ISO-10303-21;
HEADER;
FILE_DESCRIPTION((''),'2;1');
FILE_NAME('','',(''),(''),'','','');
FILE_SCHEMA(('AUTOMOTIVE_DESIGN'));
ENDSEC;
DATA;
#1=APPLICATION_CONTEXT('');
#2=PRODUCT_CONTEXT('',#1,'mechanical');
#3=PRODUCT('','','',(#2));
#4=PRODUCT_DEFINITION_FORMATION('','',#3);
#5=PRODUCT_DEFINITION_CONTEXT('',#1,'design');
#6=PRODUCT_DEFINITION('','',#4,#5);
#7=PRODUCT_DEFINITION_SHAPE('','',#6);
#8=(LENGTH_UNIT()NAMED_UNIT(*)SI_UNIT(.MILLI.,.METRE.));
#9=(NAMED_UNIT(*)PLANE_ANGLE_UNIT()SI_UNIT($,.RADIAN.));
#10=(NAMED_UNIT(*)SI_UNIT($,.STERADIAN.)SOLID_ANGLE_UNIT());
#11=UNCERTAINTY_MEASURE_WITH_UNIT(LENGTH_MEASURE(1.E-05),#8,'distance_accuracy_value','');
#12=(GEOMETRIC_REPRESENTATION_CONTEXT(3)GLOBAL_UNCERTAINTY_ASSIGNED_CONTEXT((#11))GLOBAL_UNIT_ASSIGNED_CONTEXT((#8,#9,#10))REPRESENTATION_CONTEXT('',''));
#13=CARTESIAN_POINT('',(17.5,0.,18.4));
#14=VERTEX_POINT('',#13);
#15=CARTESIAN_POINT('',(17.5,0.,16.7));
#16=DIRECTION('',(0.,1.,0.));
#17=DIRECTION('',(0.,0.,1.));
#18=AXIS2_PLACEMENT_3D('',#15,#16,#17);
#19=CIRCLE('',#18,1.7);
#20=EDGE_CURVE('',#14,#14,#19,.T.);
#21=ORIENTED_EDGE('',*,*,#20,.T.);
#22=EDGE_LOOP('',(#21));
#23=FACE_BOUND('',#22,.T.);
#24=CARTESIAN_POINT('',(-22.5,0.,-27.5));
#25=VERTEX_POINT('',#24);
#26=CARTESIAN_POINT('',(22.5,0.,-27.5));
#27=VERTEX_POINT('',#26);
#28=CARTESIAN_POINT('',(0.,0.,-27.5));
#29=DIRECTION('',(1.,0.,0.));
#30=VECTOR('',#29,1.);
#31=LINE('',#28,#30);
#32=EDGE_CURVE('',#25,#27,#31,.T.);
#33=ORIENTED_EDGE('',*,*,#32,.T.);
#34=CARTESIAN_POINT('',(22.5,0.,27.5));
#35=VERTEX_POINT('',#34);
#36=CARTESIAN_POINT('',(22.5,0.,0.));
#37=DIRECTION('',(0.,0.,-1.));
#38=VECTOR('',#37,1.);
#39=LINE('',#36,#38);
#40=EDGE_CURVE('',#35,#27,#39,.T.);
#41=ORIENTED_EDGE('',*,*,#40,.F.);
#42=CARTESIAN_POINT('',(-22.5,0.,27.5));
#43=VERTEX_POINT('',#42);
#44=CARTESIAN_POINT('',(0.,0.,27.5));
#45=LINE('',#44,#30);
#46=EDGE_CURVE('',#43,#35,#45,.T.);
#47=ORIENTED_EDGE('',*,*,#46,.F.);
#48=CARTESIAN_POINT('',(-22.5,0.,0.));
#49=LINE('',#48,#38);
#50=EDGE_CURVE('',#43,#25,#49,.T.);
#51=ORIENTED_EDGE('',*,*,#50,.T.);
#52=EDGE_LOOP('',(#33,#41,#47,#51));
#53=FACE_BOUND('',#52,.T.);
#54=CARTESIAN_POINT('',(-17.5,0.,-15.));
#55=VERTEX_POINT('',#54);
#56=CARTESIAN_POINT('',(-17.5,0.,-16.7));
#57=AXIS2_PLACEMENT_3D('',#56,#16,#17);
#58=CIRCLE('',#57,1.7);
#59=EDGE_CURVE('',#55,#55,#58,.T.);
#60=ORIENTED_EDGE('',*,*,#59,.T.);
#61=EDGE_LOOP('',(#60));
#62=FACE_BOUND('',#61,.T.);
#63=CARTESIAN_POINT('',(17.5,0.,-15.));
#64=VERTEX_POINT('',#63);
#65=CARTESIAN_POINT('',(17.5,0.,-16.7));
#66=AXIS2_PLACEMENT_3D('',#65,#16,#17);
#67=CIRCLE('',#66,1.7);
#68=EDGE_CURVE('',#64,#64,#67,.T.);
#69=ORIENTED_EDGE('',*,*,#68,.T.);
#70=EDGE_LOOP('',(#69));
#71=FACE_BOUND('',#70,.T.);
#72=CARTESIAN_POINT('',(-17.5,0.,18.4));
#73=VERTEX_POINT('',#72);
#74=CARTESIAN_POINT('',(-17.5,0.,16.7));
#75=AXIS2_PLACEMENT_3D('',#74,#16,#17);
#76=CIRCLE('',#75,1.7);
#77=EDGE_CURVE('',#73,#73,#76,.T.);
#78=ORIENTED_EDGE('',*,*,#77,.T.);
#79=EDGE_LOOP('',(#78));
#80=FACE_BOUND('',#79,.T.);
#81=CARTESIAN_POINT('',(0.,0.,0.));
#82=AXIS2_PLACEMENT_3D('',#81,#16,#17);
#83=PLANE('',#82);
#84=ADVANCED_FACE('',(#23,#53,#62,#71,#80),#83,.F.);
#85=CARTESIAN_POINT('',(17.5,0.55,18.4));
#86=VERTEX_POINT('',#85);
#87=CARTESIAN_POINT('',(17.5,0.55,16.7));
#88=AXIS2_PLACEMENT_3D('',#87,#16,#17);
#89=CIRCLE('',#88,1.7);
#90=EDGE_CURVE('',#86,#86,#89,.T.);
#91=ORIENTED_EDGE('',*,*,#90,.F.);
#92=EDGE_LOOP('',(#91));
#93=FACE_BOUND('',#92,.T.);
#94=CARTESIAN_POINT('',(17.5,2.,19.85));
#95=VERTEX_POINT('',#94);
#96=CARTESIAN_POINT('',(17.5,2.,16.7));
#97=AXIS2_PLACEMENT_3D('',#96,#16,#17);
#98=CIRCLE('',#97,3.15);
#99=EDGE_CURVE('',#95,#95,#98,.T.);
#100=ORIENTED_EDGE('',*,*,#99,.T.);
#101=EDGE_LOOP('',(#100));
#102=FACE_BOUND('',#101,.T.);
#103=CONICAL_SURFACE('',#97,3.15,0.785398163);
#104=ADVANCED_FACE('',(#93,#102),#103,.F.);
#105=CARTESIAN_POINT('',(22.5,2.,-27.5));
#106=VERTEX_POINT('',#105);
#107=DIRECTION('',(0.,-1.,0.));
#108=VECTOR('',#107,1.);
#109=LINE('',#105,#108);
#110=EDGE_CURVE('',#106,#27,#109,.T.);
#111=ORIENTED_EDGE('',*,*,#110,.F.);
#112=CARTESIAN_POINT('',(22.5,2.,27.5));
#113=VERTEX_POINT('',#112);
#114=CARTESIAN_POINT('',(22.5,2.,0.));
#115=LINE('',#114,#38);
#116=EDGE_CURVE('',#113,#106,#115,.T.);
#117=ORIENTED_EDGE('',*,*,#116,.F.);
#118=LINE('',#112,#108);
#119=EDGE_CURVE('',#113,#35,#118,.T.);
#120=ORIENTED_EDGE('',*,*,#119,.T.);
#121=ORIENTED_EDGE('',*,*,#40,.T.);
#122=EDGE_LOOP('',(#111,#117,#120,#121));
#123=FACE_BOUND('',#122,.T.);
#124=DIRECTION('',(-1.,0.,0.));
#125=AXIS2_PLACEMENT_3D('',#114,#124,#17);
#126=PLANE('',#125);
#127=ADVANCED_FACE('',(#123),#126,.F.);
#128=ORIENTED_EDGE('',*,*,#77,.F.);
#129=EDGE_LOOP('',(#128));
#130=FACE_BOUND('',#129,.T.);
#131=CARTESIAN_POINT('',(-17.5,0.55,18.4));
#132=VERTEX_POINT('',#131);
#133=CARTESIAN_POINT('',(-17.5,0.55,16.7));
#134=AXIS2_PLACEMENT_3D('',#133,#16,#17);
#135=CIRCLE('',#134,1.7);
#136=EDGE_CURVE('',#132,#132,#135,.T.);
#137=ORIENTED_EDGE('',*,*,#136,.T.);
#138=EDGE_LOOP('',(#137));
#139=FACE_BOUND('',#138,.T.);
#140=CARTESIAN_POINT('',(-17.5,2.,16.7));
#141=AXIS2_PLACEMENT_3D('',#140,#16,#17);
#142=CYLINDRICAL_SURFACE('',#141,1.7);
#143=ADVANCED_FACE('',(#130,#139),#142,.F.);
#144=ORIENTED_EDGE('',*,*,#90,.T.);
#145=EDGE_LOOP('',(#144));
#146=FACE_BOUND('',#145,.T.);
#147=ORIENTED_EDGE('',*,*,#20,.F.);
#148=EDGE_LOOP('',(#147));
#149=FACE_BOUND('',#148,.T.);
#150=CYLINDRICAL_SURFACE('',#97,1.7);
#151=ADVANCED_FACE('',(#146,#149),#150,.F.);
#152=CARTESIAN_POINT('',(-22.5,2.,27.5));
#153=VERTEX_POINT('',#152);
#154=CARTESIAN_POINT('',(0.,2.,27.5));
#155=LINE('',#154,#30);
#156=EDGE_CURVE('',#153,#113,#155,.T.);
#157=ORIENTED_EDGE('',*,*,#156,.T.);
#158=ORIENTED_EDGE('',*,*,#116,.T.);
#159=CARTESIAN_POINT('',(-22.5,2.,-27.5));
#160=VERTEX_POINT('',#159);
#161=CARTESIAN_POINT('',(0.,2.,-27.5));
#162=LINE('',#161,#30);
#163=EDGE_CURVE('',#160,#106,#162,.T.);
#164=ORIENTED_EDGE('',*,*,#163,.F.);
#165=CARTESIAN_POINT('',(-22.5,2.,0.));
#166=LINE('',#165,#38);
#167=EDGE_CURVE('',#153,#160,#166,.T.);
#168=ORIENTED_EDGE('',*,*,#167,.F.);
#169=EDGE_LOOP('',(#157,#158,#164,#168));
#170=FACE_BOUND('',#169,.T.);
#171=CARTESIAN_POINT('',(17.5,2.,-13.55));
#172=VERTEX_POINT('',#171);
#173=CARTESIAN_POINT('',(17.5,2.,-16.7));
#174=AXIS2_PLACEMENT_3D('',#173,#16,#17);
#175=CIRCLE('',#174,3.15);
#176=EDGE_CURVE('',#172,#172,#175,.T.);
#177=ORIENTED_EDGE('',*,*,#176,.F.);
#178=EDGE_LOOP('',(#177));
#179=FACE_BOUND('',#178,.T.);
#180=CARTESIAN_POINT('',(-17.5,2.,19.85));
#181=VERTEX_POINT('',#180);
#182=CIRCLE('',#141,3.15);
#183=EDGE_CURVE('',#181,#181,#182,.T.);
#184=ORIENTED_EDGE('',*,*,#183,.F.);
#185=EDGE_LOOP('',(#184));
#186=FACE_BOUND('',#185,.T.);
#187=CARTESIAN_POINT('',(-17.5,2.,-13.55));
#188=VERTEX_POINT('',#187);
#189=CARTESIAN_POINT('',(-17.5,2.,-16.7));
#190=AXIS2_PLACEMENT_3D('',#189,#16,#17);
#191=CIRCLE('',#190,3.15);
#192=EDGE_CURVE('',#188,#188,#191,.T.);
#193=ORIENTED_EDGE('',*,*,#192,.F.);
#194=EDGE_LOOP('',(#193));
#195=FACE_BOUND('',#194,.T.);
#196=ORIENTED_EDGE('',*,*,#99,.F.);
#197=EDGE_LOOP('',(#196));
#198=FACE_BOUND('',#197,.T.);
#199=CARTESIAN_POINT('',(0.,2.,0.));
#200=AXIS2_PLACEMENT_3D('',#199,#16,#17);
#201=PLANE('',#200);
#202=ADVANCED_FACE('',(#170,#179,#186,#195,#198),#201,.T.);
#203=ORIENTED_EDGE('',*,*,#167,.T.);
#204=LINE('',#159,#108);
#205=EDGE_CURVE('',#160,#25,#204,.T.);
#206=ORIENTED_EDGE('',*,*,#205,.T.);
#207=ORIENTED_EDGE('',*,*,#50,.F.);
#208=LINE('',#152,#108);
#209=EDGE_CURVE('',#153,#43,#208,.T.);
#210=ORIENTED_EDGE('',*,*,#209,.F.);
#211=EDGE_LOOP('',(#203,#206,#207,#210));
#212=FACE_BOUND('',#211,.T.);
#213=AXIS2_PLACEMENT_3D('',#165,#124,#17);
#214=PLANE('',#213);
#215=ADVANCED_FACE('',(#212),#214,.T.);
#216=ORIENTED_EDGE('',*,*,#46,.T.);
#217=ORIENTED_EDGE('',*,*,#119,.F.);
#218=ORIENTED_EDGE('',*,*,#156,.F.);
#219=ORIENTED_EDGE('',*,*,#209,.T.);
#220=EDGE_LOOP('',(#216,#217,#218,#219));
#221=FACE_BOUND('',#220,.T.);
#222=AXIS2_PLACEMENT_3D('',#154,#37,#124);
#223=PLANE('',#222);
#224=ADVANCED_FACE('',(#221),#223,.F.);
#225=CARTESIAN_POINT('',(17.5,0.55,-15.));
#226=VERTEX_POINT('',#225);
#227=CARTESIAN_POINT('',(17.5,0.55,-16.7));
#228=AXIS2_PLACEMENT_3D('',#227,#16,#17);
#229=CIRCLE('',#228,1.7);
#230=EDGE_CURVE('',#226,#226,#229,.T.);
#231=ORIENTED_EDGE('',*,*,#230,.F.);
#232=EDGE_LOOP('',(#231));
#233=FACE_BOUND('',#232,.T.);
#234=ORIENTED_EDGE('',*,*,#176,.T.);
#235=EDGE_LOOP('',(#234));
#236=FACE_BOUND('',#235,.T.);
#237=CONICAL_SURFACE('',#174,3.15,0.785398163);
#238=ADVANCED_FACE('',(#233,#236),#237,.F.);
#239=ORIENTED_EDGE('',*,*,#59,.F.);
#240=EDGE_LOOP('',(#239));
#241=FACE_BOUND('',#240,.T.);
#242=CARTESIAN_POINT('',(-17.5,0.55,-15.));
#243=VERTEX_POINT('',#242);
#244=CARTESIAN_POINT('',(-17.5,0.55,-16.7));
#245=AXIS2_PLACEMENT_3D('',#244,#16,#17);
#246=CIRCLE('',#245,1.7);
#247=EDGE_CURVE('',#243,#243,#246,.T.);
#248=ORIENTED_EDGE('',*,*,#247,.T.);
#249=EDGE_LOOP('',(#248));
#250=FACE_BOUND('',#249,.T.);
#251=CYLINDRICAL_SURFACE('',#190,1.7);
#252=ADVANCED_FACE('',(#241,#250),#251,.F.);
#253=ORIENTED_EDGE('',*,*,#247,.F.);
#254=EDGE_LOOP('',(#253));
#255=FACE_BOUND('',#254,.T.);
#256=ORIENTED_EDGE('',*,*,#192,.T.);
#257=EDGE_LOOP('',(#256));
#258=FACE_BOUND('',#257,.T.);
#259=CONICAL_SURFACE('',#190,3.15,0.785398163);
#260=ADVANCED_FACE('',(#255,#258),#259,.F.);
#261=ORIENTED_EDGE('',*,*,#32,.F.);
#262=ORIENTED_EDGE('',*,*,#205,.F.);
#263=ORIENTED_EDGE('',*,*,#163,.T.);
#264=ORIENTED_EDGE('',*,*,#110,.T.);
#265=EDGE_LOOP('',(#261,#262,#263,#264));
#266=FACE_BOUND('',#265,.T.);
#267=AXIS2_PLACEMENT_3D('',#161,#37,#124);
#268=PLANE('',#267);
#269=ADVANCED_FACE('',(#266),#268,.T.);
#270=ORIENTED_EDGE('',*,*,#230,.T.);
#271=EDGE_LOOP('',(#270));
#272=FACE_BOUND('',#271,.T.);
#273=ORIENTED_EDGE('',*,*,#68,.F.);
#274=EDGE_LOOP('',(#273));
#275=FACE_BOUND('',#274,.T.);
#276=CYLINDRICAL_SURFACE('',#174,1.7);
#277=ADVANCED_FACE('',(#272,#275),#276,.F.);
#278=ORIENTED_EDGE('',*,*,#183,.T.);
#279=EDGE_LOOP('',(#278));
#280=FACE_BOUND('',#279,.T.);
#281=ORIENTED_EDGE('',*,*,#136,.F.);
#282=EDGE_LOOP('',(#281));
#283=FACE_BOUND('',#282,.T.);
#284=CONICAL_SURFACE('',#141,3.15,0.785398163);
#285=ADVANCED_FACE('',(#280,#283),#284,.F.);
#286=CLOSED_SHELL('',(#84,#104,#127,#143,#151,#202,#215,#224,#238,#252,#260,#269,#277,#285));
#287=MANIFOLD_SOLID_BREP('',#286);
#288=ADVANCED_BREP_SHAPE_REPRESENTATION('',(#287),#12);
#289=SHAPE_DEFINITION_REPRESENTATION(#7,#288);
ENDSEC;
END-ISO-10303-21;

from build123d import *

# Parameters (mm, degrees)
SKETCH1_W                                      = 45
SKETCH1_H                                      = 55
SKETCH1_W_2                                    = 5
SKETCH1_H_2                                    = 2
BOSS_EXTRUDE1_DEPTH                            = 2
CSK_FOR_M3_FLAT_HEAD_MACHINE_SCREW1_AT_2_COUNT = 2
CSK_FOR_M3_FLAT_HEAD_MACHINE_SCREW1_AT_2_PITCH = 35
CSK_FOR_M3_FLAT_HEAD_MACHINE_SCREW1_AT_3_COUNT = 2
CSK_FOR_M3_FLAT_HEAD_MACHINE_SCREW1_AT_3_PITCH = 48.379334431
CSK_FOR_M3_FLAT_HEAD_MACHINE_SCREW1_AT_4_COUNT = 2
CSK_FOR_M3_FLAT_HEAD_MACHINE_SCREW1_AT_4_PITCH = 33.4


with BuildPart() as part:
    # Sketch1 → Boss-Extrude1 (new body)
    # profile 1 of 3: a face of its own
    with BuildSketch(Plane(origin=(0, 0, 0), x_dir=(1, 0, 0), z_dir=(0, 1, 0))):
        Rectangle(SKETCH1_W, SKETCH1_H)
        with Locations((0, 26.25)):
            Rectangle(SKETCH1_W_2, SKETCH1_H_2, mode=Mode.SUBTRACT)
        with Locations((0, -26.25)):
            Rectangle(SKETCH1_W_2, SKETCH1_H_2, mode=Mode.SUBTRACT)
    # profile 2 of 3: a face of its own
    with BuildSketch(Plane(origin=(0, 0, 0), x_dir=(1, 0, 0), z_dir=(0, 1, 0))):
        with Locations((0, 26.25)):
            Rectangle(SKETCH1_W_2, SKETCH1_H_2)
    # profile 3 of 3: a face of its own
    with BuildSketch(Plane(origin=(0, 0, 0), x_dir=(1, 0, 0), z_dir=(0, 1, 0))):
        with Locations((0, -26.25)):
            Rectangle(SKETCH1_W_2, SKETCH1_H_2)
    extrude(amount=BOSS_EXTRUDE1_DEPTH)

    # Sketch5 → CSK for M3 Flat Head Machine Screw1 (revolve, cut)
    with BuildSketch(Plane(origin=(-17.5, 2, -16.7), x_dir=(0, 0, 1), z_dir=(1, 0, 0))):
        Polygon((0, 0), (0, 2), (1.7, 2), (1.7, 1.45), (3.15, 0), align=None)
    csk_for_m3_flat_head_machine_screw1 = revolve(axis=Axis((-17.5, 8.35, -16.7), (0, -1, 0)), mode=Mode.SUBTRACT)

    # CSK for M3 Flat Head Machine Screw1 at 2: CSK for M3 Flat Head Machine Screw1 ×2
    with Locations(*[(i * CSK_FOR_M3_FLAT_HEAD_MACHINE_SCREW1_AT_2_PITCH, 0, 0) for i in range(1, CSK_FOR_M3_FLAT_HEAD_MACHINE_SCREW1_AT_2_COUNT)]):
        add(csk_for_m3_flat_head_machine_screw1, mode=Mode.SUBTRACT)

    # CSK for M3 Flat Head Machine Screw1 at 3: CSK for M3 Flat Head Machine Screw1 ×2
    with Locations(*[Vector(0.7234493903552432, 0, 0.6903774182247178) * (i * CSK_FOR_M3_FLAT_HEAD_MACHINE_SCREW1_AT_3_PITCH) for i in range(1, CSK_FOR_M3_FLAT_HEAD_MACHINE_SCREW1_AT_3_COUNT)]):
        add(csk_for_m3_flat_head_machine_screw1, mode=Mode.SUBTRACT)

    # CSK for M3 Flat Head Machine Screw1 at 4: CSK for M3 Flat Head Machine Screw1 ×2
    with Locations(*[(0, 0, i * CSK_FOR_M3_FLAT_HEAD_MACHINE_SCREW1_AT_4_PITCH) for i in range(1, CSK_FOR_M3_FLAT_HEAD_MACHINE_SCREW1_AT_4_COUNT)]):
        add(csk_for_m3_flat_head_machine_screw1, mode=Mode.SUBTRACT)


solid = part.part
